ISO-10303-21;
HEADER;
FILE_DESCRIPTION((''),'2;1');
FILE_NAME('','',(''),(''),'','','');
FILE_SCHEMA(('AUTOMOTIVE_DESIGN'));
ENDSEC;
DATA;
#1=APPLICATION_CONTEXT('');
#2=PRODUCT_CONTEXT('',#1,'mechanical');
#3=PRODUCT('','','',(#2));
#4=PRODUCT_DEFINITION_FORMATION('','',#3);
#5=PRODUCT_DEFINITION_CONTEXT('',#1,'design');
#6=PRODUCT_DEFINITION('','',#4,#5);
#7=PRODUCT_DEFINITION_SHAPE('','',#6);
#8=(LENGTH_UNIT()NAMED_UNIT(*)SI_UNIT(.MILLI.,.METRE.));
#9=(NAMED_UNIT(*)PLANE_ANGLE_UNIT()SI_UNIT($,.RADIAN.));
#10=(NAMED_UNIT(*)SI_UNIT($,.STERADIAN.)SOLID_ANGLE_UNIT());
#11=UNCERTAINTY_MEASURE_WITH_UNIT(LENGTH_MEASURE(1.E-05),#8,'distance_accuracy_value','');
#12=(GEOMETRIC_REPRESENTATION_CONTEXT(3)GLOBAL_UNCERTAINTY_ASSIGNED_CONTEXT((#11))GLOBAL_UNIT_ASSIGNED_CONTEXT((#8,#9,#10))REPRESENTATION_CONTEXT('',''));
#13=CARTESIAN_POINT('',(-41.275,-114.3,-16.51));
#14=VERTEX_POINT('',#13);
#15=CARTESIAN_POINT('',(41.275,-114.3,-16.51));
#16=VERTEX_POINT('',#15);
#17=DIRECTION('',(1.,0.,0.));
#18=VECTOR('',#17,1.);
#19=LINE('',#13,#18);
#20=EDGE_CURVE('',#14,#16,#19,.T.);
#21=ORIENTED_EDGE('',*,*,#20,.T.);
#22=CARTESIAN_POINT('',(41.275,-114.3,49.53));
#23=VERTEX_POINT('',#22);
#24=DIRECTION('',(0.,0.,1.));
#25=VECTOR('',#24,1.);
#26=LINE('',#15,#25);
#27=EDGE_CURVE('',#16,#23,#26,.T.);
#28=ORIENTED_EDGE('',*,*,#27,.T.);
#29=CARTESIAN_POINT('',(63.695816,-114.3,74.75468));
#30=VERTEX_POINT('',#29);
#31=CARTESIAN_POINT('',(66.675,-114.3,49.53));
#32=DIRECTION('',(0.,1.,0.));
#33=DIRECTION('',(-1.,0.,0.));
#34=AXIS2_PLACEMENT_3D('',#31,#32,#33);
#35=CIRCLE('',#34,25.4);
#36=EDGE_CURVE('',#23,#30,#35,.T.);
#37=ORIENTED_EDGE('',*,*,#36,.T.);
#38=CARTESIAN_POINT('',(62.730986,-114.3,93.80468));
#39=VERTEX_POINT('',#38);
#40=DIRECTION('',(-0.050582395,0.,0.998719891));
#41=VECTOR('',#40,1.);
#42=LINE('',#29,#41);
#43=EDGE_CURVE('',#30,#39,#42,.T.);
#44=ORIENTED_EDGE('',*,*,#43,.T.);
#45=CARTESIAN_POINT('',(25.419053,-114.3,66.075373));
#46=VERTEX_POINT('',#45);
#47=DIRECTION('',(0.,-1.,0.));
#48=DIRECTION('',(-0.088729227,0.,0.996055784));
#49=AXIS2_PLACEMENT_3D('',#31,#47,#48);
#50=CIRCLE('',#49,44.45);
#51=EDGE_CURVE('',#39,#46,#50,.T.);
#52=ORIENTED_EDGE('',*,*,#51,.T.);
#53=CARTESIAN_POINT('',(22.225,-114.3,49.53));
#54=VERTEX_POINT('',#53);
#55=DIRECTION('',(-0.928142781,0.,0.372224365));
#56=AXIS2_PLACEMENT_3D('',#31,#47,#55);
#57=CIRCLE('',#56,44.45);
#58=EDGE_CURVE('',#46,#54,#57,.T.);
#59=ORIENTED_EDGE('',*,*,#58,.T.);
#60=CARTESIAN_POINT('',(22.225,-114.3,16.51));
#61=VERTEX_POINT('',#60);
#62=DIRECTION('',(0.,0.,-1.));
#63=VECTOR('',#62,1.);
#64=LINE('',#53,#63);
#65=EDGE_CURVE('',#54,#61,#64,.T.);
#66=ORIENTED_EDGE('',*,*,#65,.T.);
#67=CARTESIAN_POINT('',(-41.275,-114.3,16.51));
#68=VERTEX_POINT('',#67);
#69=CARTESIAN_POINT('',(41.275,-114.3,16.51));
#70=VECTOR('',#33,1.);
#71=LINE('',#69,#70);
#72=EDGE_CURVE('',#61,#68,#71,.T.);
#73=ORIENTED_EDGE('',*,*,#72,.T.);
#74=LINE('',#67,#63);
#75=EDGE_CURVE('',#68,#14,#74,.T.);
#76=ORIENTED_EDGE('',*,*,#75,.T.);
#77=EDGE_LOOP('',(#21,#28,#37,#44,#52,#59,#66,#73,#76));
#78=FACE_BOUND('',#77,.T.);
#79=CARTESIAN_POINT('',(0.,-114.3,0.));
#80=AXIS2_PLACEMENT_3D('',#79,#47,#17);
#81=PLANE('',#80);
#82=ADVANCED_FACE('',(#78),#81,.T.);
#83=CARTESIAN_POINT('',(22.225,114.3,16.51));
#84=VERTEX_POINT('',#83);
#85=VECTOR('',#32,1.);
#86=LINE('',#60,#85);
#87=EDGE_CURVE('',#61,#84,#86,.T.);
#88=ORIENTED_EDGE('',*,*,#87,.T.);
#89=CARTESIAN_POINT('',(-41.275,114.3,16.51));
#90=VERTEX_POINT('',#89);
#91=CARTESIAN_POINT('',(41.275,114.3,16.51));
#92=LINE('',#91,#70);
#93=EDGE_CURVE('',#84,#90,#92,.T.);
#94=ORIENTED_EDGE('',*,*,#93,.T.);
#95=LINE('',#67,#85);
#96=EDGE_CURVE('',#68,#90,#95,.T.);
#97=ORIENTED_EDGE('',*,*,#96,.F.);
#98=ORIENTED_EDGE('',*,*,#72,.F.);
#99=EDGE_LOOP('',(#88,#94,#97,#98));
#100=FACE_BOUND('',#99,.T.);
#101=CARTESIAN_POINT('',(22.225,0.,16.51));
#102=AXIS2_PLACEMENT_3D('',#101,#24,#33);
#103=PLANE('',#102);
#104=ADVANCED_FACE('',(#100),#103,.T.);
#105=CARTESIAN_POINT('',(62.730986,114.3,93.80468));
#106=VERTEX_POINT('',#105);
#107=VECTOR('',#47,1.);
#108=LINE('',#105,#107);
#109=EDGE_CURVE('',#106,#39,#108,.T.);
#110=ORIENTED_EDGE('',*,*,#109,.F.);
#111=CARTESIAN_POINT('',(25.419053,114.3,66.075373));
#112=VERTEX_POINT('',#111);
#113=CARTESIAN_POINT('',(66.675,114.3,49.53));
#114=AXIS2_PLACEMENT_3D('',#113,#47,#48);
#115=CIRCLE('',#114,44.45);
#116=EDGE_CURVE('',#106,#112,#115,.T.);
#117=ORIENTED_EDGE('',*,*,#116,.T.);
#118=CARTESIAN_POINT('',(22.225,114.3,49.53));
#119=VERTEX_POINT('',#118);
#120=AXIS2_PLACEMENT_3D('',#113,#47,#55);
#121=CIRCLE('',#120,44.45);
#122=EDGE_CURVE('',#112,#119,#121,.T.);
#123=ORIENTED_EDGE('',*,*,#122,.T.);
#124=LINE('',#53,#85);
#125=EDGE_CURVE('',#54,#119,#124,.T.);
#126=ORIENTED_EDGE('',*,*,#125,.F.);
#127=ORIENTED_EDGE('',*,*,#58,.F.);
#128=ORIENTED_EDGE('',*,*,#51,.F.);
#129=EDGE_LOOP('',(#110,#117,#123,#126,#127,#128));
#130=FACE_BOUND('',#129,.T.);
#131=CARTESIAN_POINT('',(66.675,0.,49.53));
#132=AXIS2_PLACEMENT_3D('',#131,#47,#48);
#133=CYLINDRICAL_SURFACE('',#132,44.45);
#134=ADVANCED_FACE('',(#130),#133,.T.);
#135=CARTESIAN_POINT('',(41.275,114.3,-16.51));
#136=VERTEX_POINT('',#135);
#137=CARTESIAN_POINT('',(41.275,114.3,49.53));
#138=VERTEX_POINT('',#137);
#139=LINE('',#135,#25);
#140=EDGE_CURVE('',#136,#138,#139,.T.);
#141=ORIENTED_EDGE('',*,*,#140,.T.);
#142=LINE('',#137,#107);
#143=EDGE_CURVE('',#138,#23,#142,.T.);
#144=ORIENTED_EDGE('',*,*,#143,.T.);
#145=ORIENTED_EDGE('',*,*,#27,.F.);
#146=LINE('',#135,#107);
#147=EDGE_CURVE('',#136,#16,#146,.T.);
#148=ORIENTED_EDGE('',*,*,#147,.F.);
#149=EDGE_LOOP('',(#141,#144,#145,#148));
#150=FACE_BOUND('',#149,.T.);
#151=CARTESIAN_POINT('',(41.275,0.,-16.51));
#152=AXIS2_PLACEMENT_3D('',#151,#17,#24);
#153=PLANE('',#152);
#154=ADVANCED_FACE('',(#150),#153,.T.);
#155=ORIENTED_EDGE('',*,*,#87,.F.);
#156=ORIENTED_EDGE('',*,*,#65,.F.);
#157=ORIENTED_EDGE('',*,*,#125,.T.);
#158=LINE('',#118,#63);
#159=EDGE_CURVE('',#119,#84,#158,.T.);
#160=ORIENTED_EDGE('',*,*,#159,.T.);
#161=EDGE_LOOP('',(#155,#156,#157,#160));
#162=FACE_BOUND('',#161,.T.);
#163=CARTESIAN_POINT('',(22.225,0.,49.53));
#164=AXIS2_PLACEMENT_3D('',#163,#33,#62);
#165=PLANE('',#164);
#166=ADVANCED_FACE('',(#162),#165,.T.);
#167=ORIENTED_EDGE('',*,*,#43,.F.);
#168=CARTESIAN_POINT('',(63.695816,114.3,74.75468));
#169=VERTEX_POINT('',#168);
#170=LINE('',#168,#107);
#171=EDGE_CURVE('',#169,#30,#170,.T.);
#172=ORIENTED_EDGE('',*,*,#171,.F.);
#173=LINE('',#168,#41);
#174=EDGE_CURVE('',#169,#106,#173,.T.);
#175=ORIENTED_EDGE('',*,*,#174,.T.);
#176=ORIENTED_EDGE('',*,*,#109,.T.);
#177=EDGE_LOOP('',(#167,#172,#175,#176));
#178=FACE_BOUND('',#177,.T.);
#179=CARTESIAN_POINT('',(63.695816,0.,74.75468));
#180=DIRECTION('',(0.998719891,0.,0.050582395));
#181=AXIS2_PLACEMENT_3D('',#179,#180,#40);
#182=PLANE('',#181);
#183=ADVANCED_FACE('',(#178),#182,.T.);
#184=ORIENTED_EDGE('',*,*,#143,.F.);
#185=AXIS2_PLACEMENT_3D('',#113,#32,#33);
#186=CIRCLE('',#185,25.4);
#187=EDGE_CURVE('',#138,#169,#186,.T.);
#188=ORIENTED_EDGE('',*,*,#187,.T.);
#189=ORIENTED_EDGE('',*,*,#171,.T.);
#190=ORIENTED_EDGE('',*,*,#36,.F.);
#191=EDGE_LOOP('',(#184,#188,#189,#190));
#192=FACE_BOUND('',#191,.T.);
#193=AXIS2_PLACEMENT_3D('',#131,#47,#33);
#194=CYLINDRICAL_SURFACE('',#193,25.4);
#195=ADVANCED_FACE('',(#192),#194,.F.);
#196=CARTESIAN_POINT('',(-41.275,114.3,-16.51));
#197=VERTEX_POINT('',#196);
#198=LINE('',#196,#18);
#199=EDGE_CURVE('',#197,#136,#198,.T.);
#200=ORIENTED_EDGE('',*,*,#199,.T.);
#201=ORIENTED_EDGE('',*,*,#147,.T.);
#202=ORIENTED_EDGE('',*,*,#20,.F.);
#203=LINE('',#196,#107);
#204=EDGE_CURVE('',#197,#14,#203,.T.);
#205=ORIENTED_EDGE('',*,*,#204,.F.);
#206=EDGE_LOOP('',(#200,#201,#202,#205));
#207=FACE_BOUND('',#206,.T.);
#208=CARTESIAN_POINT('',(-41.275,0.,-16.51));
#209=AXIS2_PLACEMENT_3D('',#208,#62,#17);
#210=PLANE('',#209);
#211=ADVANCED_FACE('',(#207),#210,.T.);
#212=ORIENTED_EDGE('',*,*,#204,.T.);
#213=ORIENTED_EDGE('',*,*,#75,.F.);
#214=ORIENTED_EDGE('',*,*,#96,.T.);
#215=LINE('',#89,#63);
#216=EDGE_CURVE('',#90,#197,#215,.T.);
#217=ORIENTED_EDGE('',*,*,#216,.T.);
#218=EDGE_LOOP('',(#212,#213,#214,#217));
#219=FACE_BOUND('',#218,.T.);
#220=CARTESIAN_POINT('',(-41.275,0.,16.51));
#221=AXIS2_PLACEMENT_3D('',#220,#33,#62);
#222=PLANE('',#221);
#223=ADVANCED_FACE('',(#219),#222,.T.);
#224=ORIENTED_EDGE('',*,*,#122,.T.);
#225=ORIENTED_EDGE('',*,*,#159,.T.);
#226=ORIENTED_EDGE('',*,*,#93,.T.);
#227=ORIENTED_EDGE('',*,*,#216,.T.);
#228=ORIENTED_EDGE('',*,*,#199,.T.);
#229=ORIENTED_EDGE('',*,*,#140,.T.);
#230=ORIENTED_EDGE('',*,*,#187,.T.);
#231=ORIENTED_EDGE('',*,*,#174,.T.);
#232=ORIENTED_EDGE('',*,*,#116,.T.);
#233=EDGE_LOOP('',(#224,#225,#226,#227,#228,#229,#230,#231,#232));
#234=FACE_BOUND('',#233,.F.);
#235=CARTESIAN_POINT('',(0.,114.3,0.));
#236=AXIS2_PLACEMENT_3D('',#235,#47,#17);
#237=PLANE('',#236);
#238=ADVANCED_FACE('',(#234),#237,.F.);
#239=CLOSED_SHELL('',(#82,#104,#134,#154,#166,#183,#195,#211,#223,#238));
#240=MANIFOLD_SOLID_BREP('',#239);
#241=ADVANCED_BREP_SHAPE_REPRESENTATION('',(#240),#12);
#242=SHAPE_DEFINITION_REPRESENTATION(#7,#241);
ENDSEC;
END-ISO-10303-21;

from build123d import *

# Parameters (mm, degrees)
F1_DEPTH = 114.3


with BuildPart() as f1:
    # F0 (on Front) → F1 (new body, symmetric)
    with BuildSketch(Plane.XZ):
        Polygon((22.225, 16.51), (-41.275, 16.51), (-41.275, -16.51), (41.275, -16.51), (41.275, 16.51), align=None)
        with BuildLine():
            Line((22.225, 49.53), (22.225, 16.51))
            Line((22.225, 16.51), (41.275, 16.51))
            Line((41.275, 16.51), (41.275, 49.53))
            ThreePointArc((41.275, 49.53), (47.6903840742, 66.4043698593), (63.6958156023, 74.7546795881))
            Line((63.6958156023, 74.7546795881), (62.7309858815, 93.8046795881))
            add(Edge.make_bspline(
                [(25.4190533775, 66.0753730173), (37.8563642122, 75.3184752076), (50.2936750468, 84.5615773979), (62.7309858815, 93.8046795881)],
                knots=[83.0952643552, 83.0952643552, 83.0952643552, 83.0952643552, 129.5828406535, 129.5828406535, 129.5828406535, 129.5828406535], degree=3))
            ThreePointArc((25.4190533775, 66.0753730173), (23.0308175276, 57.9554279603), (22.225, 49.53))
        make_face()
        with BuildLine():
            ThreePointArc((62.7309858815, 93.8046795881), (40.1610843429, 85.2065297714), (25.4190533775, 66.0753730173))
            add(Edge.make_bspline(
                [(25.4190533775, 66.0753730173), (37.8563642122, 75.3184752076), (50.2936750468, 84.5615773979), (62.7309858815, 93.8046795881)],
                knots=[83.0952643552, 83.0952643552, 83.0952643552, 83.0952643552, 129.5828406535, 129.5828406535, 129.5828406535, 129.5828406535], degree=3))
        make_face()
    extrude(amount=F1_DEPTH, both=True)


solid = f1.part
